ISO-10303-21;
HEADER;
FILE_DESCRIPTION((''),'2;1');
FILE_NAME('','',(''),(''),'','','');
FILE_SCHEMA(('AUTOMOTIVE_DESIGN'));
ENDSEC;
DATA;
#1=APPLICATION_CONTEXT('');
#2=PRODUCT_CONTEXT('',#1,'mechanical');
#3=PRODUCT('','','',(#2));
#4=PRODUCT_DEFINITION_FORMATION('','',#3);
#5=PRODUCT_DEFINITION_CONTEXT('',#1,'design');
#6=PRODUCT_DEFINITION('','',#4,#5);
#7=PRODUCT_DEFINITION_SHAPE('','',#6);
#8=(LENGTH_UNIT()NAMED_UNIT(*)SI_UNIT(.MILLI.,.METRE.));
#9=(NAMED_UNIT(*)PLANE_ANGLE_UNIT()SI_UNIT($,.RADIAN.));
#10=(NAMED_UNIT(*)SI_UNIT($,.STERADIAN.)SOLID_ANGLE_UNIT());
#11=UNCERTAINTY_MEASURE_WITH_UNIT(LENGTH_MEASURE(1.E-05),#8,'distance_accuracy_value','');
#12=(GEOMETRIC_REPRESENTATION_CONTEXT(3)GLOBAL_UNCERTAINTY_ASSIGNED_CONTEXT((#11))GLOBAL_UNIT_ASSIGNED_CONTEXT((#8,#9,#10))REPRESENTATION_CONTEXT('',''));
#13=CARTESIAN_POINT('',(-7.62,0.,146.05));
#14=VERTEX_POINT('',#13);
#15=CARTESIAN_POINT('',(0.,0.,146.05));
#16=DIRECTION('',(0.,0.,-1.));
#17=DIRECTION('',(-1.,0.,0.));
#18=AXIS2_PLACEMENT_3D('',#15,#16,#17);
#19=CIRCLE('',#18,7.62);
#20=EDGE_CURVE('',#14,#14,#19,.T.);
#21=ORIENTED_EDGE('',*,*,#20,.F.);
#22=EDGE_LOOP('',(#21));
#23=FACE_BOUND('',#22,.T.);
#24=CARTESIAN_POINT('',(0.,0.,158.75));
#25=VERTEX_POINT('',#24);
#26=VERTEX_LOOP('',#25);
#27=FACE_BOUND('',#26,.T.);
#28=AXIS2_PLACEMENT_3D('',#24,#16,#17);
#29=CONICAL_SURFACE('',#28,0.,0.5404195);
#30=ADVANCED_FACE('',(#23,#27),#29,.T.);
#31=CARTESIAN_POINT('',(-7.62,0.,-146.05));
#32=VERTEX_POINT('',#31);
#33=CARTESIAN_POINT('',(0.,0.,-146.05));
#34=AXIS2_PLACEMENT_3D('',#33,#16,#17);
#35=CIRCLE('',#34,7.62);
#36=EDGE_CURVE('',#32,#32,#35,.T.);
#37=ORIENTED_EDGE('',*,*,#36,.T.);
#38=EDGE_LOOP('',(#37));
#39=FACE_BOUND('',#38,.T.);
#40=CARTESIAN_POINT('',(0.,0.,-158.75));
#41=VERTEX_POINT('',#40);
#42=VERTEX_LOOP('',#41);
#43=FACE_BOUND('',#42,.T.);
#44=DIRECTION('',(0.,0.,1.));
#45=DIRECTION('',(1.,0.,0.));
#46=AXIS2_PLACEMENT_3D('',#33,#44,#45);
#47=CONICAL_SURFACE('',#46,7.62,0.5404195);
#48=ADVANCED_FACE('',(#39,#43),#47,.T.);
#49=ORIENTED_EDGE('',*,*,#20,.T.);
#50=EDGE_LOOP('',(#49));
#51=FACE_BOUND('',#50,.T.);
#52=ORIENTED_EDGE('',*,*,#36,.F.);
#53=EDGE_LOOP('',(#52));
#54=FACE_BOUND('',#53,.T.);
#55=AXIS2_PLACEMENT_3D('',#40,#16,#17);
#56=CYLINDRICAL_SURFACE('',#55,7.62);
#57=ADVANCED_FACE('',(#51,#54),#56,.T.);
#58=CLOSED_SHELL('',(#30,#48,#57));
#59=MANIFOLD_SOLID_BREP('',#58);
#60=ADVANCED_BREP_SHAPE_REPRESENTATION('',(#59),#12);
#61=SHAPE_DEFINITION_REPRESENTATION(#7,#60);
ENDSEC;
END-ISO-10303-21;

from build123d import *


with BuildPart() as part:
    # Sketch1 → Revolve1 (revolve)
    with BuildSketch(Plane(origin=(0, 0, 0), x_dir=(1, 0, 0), z_dir=(0, 1, 0)), mode=Mode.PRIVATE) as revolve1_sk:
        Polygon((7.62, 146.05), (7.62, -146.05), (0, -158.75), (0, 158.75), align=None)
    revolve(revolve1_sk.sketch.rotate(Axis((0, 0, -158.75), (0, 0, 1)), 180), axis=Axis((0, 0, -158.75), (0, 0, 1)))


solid = part.part
